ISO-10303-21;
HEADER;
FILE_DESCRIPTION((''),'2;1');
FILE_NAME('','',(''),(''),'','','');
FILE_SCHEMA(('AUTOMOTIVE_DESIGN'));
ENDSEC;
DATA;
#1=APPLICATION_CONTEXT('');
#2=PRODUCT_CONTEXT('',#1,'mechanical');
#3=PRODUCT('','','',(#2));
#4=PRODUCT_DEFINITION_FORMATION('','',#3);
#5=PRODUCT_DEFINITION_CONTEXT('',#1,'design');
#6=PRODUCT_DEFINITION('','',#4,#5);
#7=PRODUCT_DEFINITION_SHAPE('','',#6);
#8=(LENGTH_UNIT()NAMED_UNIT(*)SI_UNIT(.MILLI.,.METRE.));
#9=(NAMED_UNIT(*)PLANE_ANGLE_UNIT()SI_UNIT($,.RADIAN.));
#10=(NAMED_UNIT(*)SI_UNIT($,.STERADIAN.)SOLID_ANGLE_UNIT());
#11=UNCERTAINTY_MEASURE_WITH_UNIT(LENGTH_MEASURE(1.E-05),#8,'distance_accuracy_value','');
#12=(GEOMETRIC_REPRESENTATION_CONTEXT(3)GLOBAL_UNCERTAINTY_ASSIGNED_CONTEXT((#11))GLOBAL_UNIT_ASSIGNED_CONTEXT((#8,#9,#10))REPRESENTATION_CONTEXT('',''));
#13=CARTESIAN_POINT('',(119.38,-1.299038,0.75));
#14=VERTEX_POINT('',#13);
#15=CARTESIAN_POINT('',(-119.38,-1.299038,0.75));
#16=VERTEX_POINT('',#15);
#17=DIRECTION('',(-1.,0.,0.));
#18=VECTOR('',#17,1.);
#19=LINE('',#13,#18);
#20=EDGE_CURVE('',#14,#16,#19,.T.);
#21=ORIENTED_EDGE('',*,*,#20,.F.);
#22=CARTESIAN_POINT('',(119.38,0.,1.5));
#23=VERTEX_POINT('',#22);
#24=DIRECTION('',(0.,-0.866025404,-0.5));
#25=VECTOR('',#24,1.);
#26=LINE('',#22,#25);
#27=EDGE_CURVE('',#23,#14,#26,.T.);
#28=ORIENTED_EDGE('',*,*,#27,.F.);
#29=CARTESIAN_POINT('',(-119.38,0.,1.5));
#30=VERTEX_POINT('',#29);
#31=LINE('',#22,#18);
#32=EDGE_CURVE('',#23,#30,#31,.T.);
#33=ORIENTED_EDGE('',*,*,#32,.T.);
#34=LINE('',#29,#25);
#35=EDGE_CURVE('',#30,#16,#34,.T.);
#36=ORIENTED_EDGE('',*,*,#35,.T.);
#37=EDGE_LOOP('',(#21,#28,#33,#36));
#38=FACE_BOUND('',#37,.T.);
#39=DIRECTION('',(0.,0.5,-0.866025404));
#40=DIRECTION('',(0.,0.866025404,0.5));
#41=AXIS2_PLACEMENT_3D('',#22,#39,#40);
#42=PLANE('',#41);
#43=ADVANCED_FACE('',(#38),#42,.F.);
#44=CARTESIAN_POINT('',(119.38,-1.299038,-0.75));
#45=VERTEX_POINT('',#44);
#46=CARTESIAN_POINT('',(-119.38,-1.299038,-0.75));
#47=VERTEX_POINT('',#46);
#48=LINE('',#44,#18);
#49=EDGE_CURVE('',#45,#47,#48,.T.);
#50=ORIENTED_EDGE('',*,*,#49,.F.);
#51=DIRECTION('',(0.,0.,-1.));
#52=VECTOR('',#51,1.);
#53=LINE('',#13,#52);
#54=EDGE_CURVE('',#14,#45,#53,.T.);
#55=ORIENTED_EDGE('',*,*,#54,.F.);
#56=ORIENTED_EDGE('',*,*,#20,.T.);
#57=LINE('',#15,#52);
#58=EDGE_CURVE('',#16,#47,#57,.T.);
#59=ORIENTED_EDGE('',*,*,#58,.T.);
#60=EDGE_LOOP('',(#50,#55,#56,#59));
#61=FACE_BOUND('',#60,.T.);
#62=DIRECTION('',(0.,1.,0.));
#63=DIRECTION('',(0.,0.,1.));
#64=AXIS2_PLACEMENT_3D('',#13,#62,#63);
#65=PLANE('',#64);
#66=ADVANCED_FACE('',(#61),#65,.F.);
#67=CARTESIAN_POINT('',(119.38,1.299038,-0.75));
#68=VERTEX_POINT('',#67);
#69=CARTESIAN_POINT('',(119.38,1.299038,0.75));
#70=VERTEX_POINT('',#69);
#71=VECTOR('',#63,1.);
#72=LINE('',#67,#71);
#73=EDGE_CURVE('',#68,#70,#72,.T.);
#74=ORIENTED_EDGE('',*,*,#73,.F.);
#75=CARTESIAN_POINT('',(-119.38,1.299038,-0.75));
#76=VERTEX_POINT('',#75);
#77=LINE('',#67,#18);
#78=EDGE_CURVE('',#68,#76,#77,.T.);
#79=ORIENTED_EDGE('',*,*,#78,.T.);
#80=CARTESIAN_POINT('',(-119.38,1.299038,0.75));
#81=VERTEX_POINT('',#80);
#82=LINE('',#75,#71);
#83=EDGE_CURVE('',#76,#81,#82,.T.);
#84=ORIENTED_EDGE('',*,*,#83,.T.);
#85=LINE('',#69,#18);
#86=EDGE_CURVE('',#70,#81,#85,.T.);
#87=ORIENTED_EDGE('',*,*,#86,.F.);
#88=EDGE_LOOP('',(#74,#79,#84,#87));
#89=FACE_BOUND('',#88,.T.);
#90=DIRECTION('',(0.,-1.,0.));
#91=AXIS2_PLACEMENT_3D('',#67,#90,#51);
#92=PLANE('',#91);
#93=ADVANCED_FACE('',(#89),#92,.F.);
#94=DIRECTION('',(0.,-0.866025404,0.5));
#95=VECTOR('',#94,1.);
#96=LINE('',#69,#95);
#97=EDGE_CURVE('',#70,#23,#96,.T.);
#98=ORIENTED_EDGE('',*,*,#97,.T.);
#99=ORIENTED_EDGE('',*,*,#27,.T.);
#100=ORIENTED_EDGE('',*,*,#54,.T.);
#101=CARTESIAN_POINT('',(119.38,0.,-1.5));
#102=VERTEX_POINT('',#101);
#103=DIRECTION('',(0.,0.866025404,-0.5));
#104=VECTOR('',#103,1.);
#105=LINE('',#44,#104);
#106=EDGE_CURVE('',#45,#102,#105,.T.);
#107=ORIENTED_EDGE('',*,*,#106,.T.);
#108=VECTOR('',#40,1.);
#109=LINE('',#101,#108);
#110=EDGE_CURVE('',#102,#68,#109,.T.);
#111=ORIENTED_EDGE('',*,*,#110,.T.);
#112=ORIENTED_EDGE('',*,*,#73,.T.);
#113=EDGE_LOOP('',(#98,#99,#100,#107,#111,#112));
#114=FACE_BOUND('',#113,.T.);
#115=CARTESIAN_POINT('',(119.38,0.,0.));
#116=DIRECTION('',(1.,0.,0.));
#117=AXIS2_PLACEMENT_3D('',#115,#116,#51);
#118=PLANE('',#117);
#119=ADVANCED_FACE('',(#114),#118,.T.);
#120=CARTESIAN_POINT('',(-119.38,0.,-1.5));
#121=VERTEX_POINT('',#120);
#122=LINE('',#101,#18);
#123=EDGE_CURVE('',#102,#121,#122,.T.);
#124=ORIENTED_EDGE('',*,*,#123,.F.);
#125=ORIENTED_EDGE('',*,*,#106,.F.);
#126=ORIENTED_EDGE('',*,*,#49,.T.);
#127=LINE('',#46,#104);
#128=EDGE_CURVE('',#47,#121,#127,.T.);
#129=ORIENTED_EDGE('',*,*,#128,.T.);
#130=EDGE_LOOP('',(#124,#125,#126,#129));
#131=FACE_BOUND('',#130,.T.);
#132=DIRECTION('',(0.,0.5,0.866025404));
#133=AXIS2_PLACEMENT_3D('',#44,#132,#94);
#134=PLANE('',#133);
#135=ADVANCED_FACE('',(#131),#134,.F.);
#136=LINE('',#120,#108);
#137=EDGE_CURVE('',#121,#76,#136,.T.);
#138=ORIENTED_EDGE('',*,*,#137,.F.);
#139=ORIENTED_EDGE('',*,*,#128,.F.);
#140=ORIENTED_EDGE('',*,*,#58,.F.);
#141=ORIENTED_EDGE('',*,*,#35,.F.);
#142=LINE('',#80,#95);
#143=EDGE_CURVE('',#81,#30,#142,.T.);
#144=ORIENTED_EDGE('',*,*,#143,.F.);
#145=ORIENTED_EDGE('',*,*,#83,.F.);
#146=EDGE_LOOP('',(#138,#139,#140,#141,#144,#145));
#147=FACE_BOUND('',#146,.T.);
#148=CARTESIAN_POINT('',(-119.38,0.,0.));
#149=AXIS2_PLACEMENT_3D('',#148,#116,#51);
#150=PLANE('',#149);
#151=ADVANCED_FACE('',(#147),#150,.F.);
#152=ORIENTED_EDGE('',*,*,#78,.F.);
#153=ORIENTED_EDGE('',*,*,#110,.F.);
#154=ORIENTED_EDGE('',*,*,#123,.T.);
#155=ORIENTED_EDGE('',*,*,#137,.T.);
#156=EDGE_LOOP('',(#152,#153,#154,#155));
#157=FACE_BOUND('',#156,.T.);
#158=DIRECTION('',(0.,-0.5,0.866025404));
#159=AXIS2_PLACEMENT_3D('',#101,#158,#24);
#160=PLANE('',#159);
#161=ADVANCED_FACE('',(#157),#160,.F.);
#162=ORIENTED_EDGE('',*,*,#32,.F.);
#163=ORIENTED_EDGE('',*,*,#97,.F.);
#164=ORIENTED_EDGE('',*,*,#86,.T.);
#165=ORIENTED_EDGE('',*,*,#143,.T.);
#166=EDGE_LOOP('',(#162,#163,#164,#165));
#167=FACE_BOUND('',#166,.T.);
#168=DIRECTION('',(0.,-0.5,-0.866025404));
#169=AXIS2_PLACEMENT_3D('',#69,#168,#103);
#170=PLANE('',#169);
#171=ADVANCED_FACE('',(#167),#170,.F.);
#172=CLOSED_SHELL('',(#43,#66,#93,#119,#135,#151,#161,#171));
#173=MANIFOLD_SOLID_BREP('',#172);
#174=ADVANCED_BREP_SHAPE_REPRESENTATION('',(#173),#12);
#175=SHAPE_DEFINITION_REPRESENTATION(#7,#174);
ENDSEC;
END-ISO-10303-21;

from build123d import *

# Parameters (mm, degrees)
BOSS_EXTRUDE1_DEPTH = 119.38


with BuildPart() as part:
    # Sketch1 → Boss-Extrude1 (new, symmetric)
    with BuildSketch(Plane(origin=(0, 0, 0), x_dir=(0, 0, -1), z_dir=(1, 0, 0))):
        Polygon((1.5, 0), (0.75, 1.299038106), (-0.75, 1.299038106), (-1.5, 0), (-0.75, -1.299038106), (0.75, -1.299038106), align=None)
    extrude(amount=BOSS_EXTRUDE1_DEPTH, both=True)


solid = part.part
